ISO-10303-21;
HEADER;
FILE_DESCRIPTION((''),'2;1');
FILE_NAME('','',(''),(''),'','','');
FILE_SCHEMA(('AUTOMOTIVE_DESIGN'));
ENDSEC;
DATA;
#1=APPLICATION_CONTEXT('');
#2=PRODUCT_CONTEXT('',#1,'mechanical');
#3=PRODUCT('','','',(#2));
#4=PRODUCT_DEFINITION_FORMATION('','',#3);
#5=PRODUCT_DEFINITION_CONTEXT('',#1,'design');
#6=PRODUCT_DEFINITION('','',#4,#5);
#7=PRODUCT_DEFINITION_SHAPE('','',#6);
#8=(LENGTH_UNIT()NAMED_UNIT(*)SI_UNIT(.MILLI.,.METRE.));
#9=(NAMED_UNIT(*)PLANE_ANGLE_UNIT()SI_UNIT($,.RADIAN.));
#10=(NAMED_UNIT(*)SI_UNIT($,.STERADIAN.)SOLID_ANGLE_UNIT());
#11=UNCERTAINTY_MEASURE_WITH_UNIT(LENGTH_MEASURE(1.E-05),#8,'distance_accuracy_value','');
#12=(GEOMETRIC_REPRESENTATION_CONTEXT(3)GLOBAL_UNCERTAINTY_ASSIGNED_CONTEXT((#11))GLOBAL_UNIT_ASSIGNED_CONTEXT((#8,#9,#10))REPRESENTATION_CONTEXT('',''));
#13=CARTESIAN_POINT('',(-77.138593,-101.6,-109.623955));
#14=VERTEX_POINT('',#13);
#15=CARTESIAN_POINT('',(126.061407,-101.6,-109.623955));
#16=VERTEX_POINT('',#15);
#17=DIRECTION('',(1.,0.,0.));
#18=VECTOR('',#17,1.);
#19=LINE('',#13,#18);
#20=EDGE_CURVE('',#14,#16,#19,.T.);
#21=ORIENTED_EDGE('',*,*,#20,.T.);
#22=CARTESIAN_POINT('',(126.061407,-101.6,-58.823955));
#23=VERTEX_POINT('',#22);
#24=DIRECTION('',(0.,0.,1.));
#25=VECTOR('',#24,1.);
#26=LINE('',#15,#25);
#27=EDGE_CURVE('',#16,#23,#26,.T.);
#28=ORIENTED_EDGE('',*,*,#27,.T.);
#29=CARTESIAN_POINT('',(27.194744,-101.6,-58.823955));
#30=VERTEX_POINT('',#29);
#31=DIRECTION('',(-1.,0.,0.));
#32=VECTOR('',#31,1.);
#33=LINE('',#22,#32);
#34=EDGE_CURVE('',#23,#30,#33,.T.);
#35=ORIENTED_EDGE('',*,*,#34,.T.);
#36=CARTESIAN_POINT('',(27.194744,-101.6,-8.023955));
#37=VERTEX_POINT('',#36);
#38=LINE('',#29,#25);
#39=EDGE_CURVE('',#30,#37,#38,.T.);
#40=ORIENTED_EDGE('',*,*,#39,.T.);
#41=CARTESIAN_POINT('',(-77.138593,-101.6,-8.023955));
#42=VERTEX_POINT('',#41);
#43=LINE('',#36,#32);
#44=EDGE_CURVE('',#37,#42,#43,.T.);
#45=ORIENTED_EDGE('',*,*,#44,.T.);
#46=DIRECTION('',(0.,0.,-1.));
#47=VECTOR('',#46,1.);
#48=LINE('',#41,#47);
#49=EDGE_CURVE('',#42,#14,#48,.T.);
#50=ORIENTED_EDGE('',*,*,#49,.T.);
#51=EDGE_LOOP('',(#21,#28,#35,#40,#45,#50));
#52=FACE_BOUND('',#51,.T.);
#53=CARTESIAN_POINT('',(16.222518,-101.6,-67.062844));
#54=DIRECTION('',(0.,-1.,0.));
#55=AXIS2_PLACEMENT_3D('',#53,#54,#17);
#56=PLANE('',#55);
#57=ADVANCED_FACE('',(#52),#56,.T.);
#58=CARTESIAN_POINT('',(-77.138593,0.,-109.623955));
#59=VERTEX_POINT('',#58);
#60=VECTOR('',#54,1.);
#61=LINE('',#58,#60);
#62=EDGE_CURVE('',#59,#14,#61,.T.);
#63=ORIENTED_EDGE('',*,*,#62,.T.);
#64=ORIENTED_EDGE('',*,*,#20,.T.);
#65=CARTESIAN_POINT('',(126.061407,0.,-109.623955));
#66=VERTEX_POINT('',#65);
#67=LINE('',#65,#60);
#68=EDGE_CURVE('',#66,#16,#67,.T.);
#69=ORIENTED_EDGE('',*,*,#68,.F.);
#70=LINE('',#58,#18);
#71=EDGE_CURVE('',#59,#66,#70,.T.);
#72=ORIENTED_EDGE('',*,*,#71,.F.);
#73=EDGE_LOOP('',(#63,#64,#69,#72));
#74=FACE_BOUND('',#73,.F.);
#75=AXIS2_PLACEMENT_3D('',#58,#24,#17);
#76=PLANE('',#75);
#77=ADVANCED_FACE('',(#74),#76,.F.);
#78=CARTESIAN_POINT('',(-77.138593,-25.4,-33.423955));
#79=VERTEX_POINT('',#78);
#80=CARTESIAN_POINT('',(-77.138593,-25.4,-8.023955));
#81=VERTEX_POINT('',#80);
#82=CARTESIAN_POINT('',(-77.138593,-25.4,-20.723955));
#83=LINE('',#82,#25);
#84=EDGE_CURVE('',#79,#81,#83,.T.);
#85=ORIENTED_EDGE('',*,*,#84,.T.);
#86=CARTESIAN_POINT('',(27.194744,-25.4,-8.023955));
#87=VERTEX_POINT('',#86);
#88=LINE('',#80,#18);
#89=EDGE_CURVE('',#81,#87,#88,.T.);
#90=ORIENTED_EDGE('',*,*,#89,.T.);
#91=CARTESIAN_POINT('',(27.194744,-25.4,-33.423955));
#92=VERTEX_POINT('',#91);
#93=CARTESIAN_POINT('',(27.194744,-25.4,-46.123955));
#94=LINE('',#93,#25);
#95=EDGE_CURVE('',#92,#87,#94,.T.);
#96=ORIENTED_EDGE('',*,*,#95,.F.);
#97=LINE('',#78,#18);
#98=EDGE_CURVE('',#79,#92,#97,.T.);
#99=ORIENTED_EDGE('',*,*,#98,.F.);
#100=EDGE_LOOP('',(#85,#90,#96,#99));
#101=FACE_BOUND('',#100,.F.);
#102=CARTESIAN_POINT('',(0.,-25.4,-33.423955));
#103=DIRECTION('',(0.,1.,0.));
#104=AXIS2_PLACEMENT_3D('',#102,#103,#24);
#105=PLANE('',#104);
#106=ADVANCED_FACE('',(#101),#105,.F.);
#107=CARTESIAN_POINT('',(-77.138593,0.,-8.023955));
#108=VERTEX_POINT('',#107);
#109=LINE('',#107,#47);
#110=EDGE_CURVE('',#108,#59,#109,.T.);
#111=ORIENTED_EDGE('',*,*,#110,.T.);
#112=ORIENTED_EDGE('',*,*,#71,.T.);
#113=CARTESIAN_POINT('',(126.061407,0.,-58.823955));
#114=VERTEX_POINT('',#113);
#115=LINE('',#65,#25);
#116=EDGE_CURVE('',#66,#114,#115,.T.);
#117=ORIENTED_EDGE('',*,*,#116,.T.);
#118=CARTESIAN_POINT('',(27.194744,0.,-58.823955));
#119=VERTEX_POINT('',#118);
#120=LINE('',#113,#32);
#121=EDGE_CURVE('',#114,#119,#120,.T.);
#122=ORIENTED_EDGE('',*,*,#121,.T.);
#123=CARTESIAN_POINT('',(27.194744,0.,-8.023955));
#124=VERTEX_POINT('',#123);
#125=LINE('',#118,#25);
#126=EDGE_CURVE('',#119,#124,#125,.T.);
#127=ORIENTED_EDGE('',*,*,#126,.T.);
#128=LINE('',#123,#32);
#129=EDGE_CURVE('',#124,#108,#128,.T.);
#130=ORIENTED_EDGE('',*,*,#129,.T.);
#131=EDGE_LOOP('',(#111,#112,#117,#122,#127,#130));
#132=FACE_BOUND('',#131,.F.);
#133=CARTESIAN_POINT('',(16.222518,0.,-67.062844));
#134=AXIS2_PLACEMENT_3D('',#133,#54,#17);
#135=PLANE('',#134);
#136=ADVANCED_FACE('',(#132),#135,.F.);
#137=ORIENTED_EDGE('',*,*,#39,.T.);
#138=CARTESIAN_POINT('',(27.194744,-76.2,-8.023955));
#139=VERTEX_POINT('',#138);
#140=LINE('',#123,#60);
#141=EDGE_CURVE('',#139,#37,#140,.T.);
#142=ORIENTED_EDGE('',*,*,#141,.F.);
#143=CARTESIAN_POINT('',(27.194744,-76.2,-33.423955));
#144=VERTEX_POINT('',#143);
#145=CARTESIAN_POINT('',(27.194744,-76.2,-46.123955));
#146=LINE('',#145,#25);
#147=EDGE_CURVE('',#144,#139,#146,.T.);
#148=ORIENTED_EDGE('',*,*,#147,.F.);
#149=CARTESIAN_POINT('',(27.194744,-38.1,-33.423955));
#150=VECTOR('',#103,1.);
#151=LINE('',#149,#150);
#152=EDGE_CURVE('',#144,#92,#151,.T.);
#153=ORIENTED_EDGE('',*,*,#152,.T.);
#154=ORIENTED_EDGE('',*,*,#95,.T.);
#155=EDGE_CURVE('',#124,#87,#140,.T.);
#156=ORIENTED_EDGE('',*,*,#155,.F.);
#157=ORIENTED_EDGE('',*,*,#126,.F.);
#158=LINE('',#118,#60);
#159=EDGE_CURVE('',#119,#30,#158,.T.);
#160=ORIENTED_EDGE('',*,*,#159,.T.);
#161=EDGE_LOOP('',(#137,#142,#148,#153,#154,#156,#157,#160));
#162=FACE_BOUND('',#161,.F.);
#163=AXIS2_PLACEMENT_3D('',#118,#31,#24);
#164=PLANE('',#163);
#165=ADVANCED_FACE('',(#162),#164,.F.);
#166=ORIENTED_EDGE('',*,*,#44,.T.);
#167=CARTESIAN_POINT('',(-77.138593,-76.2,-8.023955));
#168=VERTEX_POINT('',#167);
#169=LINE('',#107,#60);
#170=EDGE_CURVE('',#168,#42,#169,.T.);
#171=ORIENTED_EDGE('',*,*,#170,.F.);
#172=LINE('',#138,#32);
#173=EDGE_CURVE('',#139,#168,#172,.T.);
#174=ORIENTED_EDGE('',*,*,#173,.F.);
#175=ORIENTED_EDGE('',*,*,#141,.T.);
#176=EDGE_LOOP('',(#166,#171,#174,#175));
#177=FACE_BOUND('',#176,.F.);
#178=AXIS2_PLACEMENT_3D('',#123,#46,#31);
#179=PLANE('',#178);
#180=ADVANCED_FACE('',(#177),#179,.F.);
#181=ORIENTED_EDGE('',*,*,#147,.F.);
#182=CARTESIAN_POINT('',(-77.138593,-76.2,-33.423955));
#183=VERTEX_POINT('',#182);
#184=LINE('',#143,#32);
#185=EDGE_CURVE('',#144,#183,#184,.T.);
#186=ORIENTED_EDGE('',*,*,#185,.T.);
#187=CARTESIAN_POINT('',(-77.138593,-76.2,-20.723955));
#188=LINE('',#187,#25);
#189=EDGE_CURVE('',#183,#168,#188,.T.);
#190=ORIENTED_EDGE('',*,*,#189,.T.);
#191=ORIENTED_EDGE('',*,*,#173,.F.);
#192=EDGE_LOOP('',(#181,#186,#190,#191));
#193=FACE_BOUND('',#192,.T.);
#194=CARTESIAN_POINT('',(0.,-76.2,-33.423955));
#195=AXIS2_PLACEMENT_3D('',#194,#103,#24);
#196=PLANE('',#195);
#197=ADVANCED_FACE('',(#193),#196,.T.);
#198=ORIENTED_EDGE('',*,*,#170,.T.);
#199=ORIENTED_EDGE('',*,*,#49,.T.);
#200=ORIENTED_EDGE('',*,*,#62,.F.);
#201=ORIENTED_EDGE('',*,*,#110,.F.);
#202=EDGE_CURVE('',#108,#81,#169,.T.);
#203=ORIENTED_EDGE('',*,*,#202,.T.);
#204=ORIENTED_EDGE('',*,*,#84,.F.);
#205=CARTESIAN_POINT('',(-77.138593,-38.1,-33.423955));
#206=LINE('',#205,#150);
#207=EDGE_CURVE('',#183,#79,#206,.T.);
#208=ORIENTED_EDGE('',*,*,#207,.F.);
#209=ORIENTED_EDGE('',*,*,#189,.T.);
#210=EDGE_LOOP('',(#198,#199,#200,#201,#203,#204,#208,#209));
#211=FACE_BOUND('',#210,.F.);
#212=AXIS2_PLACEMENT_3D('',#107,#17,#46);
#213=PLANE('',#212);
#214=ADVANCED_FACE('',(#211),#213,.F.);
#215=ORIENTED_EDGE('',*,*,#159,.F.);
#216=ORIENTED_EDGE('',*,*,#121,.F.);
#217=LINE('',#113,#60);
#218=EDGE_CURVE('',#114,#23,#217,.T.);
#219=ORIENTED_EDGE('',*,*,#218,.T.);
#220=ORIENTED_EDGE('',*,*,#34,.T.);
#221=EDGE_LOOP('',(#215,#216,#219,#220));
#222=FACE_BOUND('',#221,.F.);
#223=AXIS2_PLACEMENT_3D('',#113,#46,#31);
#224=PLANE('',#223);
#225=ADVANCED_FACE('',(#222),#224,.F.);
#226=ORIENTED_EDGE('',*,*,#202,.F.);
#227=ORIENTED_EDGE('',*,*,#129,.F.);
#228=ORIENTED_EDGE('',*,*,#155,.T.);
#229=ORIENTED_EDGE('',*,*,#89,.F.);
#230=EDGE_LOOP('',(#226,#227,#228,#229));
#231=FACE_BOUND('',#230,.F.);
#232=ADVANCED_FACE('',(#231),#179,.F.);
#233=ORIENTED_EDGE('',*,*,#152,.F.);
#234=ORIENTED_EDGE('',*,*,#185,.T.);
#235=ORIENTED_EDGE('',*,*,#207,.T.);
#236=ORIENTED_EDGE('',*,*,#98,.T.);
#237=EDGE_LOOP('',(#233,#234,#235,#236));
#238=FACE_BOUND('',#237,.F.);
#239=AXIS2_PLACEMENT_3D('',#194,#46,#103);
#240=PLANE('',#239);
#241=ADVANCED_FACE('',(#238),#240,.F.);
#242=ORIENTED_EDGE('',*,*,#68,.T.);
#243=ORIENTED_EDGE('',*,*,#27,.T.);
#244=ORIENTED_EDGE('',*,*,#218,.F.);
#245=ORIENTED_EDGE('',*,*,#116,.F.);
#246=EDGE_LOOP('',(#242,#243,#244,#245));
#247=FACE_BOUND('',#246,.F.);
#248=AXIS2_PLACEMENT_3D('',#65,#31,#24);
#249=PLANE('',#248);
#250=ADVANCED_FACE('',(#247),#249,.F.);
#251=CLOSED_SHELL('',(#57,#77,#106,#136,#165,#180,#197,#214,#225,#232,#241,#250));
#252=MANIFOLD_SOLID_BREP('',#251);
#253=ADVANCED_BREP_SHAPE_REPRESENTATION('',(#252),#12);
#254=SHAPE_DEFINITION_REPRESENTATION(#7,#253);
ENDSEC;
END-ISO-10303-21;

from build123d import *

# Parameters (mm, degrees)
F1_DEPTH  = 101.6
F2_W      = 50.8
F2_H      = 25.4
F3_DEPTH  = 126.062407
F3_FACE_W = 50.8
F3_FACE_H = 25.4
F4_DEPTH  = 77.139593


with BuildPart() as f1:
    # F0 (on Front) → F1 (new body)
    with BuildSketch(Plane.XZ):
        Polygon((27.194744, -8.023955), (-77.138593, -8.023955), (-77.138593, -109.623955), (126.061407, -109.623955), (126.061407, -58.823955), (27.194744, -58.823955), align=None)
    extrude(amount=F1_DEPTH)

    # F2 (on Right) → F3 (cut, through all)
    with BuildSketch(Plane.YZ):
        with Locations((-50.8, -20.723955)):
            Rectangle(F2_W, F2_H)
    extrude(amount=F3_DEPTH, mode=Mode.SUBTRACT)

    # F3_face (on face) → F4 (cut, through all)
    with BuildSketch(Plane(origin=(0, -50.8, -20.723955), x_dir=(0, 1, 0), z_dir=(1, 0, 0))):
        Rectangle(F3_FACE_W, F3_FACE_H)
    extrude(amount=-F4_DEPTH, mode=Mode.SUBTRACT)


solid = f1.part
